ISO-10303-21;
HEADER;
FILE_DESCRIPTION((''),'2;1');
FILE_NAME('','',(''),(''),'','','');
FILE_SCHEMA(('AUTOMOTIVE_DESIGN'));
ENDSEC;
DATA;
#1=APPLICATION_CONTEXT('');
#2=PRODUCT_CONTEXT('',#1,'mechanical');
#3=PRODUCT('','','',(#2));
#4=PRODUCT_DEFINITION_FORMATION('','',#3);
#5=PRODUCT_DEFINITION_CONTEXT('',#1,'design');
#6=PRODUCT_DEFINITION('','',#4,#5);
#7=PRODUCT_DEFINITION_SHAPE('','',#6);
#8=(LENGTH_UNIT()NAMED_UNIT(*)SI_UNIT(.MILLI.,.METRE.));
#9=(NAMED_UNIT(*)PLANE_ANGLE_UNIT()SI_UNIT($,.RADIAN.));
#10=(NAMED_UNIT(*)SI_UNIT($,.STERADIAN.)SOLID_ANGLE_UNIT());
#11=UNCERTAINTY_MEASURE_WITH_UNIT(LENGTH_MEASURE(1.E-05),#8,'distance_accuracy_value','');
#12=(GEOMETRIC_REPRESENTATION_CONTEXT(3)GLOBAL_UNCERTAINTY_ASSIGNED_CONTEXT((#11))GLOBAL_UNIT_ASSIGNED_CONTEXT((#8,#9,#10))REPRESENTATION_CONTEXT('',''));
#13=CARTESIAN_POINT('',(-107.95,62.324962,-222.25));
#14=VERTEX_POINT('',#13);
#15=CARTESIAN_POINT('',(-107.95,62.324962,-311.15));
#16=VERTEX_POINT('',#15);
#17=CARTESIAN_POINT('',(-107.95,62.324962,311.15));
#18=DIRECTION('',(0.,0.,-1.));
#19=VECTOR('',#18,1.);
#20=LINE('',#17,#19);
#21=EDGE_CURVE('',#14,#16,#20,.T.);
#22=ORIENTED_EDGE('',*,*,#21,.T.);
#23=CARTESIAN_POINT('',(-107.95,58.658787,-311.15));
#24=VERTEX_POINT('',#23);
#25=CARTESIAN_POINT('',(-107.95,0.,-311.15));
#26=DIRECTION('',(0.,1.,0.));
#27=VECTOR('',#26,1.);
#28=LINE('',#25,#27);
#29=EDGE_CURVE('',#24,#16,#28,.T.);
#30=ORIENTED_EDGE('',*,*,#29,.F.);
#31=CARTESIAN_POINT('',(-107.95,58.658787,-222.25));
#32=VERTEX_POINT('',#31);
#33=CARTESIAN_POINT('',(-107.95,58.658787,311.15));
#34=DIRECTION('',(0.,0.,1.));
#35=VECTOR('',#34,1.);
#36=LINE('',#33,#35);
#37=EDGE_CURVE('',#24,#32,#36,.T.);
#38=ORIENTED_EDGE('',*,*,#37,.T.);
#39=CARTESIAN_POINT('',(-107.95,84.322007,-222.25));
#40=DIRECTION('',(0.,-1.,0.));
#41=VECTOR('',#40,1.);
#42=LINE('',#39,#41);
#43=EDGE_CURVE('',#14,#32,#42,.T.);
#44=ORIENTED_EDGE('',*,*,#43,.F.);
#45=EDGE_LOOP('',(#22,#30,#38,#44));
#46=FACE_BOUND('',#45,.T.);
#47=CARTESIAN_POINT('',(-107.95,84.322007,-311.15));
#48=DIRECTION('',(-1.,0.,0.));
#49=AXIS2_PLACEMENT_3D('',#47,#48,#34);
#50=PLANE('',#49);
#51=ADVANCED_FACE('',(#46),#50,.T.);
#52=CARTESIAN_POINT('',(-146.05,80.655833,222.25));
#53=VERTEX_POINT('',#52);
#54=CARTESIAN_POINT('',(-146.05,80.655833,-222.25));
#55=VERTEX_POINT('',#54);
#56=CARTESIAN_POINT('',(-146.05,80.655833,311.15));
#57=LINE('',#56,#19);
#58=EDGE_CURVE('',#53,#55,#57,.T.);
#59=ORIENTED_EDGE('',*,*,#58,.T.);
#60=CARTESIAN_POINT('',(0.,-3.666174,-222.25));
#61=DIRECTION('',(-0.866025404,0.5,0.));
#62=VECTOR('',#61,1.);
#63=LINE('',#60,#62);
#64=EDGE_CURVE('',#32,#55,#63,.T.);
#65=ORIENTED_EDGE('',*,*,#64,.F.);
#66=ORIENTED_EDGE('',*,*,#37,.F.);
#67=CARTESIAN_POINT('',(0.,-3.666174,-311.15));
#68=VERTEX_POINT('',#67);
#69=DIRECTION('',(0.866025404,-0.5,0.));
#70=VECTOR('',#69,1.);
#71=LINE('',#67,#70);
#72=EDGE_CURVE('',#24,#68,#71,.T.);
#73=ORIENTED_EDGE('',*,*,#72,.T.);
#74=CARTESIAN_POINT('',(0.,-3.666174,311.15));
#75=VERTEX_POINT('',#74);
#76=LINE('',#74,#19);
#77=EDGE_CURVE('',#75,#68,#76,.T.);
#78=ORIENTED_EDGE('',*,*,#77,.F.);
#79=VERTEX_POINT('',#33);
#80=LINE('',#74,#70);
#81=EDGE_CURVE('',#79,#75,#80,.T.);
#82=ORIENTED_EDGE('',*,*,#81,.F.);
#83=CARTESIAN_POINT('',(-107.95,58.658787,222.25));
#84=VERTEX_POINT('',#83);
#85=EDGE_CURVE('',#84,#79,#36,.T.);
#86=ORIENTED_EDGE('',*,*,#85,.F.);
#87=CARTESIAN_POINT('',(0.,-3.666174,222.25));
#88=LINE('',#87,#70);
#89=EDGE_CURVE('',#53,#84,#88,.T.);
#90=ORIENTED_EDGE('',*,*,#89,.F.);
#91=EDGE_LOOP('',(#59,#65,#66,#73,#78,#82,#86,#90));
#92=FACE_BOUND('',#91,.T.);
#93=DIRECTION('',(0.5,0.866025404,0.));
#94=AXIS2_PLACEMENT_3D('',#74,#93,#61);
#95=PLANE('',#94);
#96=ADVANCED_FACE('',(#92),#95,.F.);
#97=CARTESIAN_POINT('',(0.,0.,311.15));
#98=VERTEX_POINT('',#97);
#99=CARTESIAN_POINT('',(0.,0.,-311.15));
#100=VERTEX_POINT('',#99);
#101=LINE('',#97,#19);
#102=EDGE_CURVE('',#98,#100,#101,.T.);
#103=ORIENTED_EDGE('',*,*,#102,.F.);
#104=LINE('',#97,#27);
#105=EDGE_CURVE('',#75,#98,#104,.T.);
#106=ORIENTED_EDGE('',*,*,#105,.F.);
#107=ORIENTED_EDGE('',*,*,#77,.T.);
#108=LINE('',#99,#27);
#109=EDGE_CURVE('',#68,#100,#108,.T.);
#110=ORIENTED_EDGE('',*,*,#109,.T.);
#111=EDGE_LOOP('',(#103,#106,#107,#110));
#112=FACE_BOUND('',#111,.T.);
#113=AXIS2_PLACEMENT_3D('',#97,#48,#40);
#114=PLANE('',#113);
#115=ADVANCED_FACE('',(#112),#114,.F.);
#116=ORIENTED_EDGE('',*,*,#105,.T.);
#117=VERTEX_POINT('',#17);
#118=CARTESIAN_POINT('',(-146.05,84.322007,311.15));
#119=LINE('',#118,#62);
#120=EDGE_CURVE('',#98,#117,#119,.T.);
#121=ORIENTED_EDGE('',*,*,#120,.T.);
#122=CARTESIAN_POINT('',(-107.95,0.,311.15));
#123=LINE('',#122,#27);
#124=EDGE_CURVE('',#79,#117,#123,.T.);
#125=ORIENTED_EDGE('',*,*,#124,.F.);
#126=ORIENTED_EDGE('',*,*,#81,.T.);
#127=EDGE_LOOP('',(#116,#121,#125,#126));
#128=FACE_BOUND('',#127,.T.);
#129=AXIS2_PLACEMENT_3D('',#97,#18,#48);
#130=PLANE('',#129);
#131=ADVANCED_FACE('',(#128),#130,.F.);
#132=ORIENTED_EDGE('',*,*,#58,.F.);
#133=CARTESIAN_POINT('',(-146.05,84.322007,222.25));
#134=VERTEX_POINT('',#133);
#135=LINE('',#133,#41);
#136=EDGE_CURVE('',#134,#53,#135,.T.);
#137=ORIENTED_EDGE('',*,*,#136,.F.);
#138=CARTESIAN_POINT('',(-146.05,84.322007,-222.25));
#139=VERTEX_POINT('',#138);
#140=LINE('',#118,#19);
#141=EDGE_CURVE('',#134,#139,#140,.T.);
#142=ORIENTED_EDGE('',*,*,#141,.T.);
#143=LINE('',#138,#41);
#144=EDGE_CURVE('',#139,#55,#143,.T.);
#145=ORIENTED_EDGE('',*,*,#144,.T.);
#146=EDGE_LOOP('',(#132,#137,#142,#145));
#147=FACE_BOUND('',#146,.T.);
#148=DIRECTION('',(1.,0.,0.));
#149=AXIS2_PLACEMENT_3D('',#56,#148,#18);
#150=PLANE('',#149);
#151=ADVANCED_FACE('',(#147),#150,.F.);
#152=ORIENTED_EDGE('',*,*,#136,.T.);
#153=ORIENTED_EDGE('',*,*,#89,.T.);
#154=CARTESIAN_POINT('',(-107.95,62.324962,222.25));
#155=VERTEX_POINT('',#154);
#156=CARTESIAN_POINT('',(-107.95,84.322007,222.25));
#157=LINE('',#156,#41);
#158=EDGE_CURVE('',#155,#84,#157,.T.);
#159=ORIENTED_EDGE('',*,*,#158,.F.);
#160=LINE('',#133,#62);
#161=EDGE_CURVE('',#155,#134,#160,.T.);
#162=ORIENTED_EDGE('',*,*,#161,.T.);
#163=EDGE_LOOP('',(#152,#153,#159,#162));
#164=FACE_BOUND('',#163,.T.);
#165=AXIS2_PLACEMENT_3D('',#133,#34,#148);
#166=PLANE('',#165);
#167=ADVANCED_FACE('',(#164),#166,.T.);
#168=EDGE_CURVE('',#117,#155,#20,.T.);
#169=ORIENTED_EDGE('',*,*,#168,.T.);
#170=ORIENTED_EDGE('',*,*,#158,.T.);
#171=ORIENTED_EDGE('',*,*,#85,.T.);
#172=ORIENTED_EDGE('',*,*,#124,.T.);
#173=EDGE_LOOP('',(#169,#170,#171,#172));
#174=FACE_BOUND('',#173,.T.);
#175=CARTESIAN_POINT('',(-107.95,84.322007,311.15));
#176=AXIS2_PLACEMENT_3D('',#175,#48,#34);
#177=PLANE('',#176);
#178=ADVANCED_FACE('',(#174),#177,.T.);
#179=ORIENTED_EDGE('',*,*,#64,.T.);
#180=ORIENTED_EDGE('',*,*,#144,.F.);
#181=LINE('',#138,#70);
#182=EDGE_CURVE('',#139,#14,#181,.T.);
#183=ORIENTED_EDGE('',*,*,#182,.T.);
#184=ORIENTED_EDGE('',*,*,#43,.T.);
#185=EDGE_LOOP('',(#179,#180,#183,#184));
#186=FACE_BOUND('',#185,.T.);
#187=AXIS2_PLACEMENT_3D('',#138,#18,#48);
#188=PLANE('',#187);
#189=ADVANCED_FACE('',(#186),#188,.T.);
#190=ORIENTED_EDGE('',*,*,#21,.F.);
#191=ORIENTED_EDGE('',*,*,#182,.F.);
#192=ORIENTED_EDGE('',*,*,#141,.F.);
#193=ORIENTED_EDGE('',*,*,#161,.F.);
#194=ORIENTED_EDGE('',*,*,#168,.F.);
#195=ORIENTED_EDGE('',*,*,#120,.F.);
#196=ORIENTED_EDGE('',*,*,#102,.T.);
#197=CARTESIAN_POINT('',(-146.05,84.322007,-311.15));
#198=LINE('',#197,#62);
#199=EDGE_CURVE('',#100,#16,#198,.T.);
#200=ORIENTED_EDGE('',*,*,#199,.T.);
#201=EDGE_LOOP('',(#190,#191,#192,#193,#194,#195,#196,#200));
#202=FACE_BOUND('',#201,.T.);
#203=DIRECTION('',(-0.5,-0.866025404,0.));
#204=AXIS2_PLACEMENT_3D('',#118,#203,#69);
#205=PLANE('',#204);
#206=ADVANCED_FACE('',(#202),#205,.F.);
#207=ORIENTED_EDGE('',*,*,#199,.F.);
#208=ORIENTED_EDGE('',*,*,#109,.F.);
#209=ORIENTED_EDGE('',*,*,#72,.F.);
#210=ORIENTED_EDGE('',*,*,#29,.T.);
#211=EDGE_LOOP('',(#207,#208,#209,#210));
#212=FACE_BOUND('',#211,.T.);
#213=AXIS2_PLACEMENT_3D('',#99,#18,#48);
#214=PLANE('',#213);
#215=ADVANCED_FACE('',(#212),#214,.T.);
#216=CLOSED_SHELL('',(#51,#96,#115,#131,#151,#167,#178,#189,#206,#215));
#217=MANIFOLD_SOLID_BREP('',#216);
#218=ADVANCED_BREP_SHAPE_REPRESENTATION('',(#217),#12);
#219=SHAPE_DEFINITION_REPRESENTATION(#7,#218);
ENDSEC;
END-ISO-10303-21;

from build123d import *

# Parameters (mm, degrees)
BOSS_EXTRUDE1_DEPTH = 311.15
SKETCH2_W           = 38.1
SKETCH2_H           = 88.9
CUT_EXTRUDE1_DEPTH  = 354.914009094


with BuildPart() as part:
    # Sketch1 → Boss-Extrude1 (new, symmetric)
    with BuildSketch(Plane.XY):
        Polygon((0, 0), (0, -3.666174209), (-146.05, 80.655832606), (-146.05, 84.322006815), align=None)
    extrude(amount=BOSS_EXTRUDE1_DEPTH, both=True)

    # Sketch2 → Cut-Extrude1 (cut, through all)
    with BuildSketch(Plane(origin=(0, 0, 0), x_dir=(1, 0, 0), z_dir=(0, 1, 0))):
        with Locations((-127, -266.7)):
            Rectangle(SKETCH2_W, SKETCH2_H)
        with Locations((-127, 266.7)):
            Rectangle(SKETCH2_W, SKETCH2_H)
    extrude(amount=CUT_EXTRUDE1_DEPTH, mode=Mode.SUBTRACT)


solid = part.part
